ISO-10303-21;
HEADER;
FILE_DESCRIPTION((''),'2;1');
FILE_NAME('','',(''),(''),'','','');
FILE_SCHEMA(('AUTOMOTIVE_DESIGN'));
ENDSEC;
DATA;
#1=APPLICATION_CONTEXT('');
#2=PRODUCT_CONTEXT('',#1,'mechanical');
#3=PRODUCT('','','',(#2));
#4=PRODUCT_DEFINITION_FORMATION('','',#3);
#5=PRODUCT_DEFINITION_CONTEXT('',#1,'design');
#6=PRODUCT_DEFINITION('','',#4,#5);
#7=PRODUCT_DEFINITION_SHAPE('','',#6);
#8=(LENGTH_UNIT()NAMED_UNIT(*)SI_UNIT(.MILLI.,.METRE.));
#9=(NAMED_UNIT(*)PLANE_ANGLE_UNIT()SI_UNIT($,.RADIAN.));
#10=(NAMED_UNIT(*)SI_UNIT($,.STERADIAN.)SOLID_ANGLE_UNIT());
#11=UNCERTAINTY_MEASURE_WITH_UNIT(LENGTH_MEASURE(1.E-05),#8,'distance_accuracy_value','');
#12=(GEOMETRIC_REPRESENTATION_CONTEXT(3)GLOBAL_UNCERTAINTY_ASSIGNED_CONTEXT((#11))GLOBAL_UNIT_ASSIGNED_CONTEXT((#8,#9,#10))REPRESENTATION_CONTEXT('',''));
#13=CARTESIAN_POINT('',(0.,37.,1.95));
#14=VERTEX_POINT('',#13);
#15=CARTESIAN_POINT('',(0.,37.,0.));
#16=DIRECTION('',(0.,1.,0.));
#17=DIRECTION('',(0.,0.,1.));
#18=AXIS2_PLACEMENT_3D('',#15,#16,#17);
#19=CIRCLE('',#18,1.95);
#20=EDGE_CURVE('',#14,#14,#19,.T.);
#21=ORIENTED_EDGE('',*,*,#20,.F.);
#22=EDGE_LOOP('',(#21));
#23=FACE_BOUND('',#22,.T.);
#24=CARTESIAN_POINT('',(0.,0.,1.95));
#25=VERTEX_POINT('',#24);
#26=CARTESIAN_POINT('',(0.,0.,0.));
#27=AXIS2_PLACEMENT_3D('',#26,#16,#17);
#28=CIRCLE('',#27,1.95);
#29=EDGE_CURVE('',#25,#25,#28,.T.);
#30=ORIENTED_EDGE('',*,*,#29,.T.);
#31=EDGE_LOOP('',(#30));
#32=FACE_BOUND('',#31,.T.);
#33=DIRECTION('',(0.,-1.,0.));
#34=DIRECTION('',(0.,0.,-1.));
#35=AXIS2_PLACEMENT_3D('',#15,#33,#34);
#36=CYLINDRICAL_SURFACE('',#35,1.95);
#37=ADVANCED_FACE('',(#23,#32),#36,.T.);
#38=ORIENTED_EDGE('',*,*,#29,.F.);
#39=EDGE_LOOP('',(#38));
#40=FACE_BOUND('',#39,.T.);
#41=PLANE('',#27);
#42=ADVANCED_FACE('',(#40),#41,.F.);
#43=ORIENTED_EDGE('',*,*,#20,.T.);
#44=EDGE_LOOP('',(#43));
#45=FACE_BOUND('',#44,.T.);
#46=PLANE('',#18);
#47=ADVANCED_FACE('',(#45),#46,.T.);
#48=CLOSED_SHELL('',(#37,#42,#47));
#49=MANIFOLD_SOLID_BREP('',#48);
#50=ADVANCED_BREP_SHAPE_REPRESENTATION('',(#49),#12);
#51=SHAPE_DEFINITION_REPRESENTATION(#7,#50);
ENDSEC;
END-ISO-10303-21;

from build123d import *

# Parameters (mm, degrees)
SKETCH1_R           = 1.95
BOSS_EXTRUDE1_DEPTH = 37


with BuildPart() as part:
    # Sketch1 → Boss-Extrude1 (new body)
    with BuildSketch(Plane(origin=(0, 0, 0), x_dir=(1, 0, 0), z_dir=(0, 1, 0))):
        with Locations(Location((0, 0, 0), (0, 0, 270))):
            Circle(SKETCH1_R)
    extrude(amount=BOSS_EXTRUDE1_DEPTH)


solid = part.part
